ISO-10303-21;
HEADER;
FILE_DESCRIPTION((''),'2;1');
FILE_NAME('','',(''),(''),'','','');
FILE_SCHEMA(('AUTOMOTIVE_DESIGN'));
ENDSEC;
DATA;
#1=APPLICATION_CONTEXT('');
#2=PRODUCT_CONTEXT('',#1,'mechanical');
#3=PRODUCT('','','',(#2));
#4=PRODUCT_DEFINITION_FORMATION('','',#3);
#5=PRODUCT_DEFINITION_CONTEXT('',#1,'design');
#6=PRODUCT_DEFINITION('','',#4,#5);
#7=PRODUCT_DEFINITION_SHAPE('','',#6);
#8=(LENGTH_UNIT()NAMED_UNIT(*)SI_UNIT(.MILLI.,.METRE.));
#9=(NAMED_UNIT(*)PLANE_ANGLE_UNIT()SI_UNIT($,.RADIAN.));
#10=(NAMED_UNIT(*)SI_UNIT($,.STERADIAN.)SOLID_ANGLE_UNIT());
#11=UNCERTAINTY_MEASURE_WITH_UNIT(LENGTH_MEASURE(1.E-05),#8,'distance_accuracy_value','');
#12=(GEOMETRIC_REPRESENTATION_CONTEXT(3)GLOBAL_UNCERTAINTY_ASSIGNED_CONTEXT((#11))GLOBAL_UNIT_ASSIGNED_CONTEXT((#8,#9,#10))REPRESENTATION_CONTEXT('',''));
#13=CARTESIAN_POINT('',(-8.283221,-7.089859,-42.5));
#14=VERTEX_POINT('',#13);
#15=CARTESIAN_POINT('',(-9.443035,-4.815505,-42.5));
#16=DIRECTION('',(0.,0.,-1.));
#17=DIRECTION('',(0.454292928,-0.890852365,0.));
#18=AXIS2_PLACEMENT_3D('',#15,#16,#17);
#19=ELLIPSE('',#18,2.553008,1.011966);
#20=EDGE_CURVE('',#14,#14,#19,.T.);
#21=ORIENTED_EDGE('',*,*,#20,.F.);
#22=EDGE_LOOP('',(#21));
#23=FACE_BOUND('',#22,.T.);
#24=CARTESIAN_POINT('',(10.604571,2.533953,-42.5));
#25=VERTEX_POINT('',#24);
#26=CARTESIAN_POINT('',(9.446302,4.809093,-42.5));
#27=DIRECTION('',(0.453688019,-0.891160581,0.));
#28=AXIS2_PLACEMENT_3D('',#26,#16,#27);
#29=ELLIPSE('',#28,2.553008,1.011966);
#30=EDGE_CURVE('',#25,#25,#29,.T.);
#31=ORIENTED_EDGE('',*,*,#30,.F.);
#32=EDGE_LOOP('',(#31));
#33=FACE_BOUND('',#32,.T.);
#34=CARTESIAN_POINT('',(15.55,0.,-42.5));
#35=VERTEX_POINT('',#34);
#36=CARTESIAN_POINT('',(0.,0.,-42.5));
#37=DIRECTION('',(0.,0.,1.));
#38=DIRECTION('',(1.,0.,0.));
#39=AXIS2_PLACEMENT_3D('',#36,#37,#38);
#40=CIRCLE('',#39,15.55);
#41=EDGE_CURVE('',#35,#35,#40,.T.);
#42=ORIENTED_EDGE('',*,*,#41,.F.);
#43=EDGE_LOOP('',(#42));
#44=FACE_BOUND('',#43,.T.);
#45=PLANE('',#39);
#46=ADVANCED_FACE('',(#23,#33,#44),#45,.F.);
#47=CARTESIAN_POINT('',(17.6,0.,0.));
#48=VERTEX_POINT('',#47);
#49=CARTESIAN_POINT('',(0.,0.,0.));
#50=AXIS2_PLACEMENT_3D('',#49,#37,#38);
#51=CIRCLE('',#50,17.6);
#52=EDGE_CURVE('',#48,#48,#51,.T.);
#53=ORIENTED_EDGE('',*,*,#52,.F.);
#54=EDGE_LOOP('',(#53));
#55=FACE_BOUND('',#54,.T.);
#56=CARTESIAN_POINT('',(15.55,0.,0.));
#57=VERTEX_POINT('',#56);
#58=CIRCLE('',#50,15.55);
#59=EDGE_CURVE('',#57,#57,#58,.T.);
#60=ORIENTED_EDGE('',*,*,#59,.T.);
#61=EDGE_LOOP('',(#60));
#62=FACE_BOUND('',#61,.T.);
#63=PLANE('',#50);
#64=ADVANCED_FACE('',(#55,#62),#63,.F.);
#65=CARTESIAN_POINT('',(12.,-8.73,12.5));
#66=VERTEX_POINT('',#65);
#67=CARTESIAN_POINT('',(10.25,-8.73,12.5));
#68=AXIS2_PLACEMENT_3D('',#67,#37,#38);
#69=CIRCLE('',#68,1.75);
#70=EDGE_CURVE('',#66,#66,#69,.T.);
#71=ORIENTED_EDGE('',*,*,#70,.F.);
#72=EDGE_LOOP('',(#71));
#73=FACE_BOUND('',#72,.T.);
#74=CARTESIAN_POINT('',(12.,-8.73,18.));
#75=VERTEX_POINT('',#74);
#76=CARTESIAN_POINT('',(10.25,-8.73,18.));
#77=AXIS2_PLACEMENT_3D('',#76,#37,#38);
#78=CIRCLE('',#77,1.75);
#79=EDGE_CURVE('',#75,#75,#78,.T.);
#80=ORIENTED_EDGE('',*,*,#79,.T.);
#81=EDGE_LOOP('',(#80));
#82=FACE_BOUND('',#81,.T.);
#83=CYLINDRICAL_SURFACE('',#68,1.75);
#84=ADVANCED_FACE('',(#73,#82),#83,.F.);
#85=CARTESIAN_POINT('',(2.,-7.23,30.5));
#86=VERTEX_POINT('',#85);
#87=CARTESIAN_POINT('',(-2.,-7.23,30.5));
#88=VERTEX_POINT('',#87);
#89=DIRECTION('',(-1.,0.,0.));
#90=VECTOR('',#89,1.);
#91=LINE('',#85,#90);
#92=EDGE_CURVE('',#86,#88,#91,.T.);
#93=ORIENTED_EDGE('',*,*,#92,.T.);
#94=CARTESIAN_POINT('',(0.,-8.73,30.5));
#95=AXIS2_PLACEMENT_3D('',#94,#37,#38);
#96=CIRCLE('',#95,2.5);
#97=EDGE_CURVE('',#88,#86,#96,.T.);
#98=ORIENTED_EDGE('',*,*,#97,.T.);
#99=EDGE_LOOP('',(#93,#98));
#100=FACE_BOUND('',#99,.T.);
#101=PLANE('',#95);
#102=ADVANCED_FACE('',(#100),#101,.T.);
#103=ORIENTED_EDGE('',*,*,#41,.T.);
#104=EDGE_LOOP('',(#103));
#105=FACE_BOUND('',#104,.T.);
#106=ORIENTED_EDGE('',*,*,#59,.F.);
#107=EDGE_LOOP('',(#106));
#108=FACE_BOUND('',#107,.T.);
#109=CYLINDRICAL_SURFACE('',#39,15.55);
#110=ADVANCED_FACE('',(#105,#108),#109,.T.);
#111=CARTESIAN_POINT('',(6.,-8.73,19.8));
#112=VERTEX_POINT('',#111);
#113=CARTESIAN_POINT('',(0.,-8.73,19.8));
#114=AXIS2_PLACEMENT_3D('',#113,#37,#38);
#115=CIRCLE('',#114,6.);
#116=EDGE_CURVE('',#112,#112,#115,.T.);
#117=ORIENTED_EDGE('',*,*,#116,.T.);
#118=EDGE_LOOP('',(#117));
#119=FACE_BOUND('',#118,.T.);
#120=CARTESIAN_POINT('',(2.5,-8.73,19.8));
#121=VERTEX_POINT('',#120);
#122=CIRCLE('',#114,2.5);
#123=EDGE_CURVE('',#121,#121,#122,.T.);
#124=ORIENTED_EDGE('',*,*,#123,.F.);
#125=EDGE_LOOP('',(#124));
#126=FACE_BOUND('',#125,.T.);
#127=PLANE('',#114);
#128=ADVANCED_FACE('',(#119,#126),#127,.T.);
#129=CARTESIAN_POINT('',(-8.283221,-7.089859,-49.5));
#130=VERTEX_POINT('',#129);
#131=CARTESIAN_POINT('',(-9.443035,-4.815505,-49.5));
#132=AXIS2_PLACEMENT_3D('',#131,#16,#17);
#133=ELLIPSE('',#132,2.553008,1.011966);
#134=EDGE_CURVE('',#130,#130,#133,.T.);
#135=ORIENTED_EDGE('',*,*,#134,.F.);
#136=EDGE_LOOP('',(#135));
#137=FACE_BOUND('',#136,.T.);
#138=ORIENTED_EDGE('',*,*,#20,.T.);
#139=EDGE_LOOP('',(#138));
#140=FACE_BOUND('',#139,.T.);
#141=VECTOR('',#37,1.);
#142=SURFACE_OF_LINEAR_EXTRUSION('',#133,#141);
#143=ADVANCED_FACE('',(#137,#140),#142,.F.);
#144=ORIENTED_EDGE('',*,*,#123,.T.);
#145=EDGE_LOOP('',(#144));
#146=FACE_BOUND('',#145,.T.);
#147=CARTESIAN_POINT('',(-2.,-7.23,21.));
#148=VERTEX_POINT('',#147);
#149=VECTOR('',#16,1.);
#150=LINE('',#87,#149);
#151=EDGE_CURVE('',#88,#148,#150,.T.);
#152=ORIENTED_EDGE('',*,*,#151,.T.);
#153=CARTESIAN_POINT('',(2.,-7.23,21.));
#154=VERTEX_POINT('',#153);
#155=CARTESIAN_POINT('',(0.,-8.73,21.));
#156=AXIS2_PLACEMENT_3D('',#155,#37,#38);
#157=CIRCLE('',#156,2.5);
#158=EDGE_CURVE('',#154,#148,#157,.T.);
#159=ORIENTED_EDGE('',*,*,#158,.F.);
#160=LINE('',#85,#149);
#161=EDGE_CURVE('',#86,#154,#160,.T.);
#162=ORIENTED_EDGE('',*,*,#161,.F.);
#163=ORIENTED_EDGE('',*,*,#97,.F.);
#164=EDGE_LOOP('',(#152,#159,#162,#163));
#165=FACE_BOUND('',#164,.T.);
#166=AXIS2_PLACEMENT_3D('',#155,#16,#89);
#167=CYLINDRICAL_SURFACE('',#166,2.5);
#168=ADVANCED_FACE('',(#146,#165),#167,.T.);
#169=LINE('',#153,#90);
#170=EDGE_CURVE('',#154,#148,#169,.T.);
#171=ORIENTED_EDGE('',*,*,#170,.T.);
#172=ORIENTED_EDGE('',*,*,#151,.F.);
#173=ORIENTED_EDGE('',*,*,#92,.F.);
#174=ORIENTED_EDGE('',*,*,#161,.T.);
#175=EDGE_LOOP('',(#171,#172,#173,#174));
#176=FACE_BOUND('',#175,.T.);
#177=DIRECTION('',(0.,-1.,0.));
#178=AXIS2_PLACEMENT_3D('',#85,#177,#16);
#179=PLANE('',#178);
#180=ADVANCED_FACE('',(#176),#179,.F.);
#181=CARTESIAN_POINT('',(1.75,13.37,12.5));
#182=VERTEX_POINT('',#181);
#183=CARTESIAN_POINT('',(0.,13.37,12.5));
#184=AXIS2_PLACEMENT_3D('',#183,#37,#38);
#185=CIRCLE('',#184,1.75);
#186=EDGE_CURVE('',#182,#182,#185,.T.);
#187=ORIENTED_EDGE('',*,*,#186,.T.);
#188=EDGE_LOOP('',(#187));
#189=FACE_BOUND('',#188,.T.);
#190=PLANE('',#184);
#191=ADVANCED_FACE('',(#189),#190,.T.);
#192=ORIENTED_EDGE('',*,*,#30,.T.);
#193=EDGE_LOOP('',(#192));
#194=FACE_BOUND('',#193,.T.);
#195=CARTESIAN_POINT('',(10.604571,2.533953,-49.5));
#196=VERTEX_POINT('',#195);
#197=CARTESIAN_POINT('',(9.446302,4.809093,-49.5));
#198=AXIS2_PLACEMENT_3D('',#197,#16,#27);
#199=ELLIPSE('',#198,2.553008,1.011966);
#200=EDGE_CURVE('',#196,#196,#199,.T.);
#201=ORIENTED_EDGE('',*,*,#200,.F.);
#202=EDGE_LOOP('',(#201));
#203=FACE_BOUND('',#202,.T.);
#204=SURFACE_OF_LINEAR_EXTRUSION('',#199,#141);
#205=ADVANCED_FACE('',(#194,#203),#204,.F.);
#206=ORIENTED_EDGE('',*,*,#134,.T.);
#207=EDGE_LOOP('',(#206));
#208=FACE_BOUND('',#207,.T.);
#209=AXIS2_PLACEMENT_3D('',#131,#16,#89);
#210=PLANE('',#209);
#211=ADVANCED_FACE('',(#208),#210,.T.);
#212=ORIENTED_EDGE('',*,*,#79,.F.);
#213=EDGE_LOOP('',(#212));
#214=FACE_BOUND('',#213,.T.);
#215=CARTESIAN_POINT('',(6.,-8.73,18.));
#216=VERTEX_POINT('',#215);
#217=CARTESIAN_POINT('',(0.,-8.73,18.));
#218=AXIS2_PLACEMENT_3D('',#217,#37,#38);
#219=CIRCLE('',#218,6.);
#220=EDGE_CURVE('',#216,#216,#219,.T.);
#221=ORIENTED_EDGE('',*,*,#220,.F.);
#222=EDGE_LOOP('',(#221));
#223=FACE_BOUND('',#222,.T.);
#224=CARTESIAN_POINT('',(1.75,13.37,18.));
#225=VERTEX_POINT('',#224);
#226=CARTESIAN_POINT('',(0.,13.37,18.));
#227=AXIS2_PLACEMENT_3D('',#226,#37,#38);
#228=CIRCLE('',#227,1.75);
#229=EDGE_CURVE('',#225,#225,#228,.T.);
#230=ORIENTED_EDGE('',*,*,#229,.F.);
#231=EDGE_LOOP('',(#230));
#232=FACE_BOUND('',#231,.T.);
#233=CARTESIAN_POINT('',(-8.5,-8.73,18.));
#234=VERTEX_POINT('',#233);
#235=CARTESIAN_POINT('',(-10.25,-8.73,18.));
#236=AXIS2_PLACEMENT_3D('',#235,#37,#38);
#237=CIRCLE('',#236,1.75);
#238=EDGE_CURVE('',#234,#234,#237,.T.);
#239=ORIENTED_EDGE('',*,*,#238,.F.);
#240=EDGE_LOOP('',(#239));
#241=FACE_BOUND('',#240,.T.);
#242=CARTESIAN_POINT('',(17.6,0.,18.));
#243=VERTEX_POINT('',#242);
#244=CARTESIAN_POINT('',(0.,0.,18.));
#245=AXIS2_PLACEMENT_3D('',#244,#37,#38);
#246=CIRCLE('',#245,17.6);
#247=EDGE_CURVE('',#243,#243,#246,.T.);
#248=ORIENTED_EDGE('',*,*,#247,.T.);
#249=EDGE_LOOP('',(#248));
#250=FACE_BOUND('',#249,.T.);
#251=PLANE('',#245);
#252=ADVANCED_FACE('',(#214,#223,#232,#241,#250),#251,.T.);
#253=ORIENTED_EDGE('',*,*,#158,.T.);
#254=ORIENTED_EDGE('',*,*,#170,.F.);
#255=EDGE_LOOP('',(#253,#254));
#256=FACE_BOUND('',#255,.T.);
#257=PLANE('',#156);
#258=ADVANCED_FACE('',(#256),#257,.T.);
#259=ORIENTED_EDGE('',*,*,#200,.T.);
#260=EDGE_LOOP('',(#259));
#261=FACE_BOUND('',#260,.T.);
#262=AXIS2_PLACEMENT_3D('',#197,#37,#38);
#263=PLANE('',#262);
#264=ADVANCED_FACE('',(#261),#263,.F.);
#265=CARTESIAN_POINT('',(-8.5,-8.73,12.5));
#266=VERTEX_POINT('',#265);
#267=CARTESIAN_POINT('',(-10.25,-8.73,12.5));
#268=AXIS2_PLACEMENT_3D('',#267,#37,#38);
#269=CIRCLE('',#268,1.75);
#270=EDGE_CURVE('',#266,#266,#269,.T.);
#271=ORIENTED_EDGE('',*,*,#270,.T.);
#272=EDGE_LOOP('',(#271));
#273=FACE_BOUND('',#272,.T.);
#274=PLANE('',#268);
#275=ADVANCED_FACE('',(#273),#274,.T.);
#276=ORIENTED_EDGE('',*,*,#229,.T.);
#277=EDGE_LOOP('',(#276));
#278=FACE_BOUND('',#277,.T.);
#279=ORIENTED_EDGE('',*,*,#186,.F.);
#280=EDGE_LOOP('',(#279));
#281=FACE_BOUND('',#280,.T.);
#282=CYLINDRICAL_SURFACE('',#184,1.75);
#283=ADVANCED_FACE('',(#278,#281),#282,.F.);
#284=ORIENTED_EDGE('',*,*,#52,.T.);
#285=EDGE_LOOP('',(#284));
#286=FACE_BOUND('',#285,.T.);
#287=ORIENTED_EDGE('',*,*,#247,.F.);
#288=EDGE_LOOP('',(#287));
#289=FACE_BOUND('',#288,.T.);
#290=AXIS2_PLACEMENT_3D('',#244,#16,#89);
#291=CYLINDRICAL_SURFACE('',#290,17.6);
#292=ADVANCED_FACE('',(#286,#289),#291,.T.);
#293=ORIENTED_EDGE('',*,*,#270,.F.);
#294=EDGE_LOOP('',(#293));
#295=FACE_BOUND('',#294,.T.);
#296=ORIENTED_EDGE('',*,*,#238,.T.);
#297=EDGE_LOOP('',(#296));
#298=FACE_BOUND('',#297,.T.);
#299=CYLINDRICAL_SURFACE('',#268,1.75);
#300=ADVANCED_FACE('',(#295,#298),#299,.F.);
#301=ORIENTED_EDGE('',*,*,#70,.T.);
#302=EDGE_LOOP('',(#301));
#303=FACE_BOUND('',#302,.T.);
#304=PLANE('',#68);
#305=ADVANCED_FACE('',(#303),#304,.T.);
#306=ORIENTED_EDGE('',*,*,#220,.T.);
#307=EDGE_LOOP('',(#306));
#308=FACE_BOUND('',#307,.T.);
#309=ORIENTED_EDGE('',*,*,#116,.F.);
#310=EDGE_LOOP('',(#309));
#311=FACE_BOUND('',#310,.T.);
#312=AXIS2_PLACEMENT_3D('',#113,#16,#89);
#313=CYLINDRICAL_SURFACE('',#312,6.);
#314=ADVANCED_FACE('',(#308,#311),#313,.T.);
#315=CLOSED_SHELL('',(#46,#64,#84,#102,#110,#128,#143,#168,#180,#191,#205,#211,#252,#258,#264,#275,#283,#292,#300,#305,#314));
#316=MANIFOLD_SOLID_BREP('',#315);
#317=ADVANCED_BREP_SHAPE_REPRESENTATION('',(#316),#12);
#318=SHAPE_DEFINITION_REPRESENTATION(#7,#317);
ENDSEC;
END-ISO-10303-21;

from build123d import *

# Parameters (mm, degrees)
SKETCH1_R              = 15.55
BACK_DEPTH             = 42.5
SKETCH3_R              = 17.6
FRONT_DEPTH            = 18
SKETCH4_R              = 6
SHAFTBEARING_DEPTH     = 1.8
SKETCH5_R              = 1.75
FRONTSCREWHOLES_DEPTH  = 5.5
SKETCH6_R              = 2.5
ROUNDPARTOFSHAFT_DEPTH = 1.2
FLATPARTOFSHAFT_DEPTH  = 9.5
SKETCH8_RX             = 2.553008369
SKETCH8_RY             = 1.011966428
PWR_AND_GND_DEPTH      = 7


with BuildPart() as part:
    # Sketch1 → Back (new body)
    with BuildSketch(Plane.XY):
        Circle(SKETCH1_R)
    extrude(amount=-BACK_DEPTH)

    # Sketch3 → Front (add)
    with BuildSketch(Plane.XY):
        Circle(SKETCH3_R)
    extrude(amount=FRONT_DEPTH)

    # Sketch4 → ShaftBearing (add)
    with BuildSketch(Plane.XY.offset(18)):
        with Locations((0, -8.73)):
            Circle(SKETCH4_R)
    extrude(amount=SHAFTBEARING_DEPTH)

    # Sketch5 → frontScrewHoles (cut)
    with BuildSketch(Plane.XY.offset(18)):
        with Locations((-10.25, -8.73)):
            Circle(SKETCH5_R)
        with Locations((10.250000074, -8.73)):
            Circle(SKETCH5_R)
        with Locations((0, 13.37)):
            Circle(SKETCH5_R)
    extrude(amount=-FRONTSCREWHOLES_DEPTH, mode=Mode.SUBTRACT)

    # Sketch6 → RoundPartofShaft (add)
    with BuildSketch(Plane.XY.offset(19.8)):
        with Locations((0, -8.73)):
            Circle(SKETCH6_R)
    extrude(amount=ROUNDPARTOFSHAFT_DEPTH)

    # Sketch7 → FlatPartofShaft (add)
    with BuildSketch(Plane.XY.offset(21)):
        with BuildLine():
            Line((2, -7.23), (-2, -7.23))
            ThreePointArc((-2, -7.23), (0, -11.23), (2, -7.23))
        make_face()
    extrude(amount=FLATPARTOFSHAFT_DEPTH)

    # Sketch8 → Pwr And Gnd (add)
    with BuildSketch(Plane(origin=(0, 0, -42.5), x_dir=(-1, 0, 0), z_dir=(0, 0, -1))):
        with Locations(Location((9.443035065, -4.815505038), (0, 0, -117.019449203))):
            Ellipse(SKETCH8_RX, SKETCH8_RY)
        with Locations(Location((-9.44630216, 4.809093002), (0, 0, 63.019449203))):
            Ellipse(SKETCH8_RX, SKETCH8_RY)
    extrude(amount=PWR_AND_GND_DEPTH)


solid = part.part
